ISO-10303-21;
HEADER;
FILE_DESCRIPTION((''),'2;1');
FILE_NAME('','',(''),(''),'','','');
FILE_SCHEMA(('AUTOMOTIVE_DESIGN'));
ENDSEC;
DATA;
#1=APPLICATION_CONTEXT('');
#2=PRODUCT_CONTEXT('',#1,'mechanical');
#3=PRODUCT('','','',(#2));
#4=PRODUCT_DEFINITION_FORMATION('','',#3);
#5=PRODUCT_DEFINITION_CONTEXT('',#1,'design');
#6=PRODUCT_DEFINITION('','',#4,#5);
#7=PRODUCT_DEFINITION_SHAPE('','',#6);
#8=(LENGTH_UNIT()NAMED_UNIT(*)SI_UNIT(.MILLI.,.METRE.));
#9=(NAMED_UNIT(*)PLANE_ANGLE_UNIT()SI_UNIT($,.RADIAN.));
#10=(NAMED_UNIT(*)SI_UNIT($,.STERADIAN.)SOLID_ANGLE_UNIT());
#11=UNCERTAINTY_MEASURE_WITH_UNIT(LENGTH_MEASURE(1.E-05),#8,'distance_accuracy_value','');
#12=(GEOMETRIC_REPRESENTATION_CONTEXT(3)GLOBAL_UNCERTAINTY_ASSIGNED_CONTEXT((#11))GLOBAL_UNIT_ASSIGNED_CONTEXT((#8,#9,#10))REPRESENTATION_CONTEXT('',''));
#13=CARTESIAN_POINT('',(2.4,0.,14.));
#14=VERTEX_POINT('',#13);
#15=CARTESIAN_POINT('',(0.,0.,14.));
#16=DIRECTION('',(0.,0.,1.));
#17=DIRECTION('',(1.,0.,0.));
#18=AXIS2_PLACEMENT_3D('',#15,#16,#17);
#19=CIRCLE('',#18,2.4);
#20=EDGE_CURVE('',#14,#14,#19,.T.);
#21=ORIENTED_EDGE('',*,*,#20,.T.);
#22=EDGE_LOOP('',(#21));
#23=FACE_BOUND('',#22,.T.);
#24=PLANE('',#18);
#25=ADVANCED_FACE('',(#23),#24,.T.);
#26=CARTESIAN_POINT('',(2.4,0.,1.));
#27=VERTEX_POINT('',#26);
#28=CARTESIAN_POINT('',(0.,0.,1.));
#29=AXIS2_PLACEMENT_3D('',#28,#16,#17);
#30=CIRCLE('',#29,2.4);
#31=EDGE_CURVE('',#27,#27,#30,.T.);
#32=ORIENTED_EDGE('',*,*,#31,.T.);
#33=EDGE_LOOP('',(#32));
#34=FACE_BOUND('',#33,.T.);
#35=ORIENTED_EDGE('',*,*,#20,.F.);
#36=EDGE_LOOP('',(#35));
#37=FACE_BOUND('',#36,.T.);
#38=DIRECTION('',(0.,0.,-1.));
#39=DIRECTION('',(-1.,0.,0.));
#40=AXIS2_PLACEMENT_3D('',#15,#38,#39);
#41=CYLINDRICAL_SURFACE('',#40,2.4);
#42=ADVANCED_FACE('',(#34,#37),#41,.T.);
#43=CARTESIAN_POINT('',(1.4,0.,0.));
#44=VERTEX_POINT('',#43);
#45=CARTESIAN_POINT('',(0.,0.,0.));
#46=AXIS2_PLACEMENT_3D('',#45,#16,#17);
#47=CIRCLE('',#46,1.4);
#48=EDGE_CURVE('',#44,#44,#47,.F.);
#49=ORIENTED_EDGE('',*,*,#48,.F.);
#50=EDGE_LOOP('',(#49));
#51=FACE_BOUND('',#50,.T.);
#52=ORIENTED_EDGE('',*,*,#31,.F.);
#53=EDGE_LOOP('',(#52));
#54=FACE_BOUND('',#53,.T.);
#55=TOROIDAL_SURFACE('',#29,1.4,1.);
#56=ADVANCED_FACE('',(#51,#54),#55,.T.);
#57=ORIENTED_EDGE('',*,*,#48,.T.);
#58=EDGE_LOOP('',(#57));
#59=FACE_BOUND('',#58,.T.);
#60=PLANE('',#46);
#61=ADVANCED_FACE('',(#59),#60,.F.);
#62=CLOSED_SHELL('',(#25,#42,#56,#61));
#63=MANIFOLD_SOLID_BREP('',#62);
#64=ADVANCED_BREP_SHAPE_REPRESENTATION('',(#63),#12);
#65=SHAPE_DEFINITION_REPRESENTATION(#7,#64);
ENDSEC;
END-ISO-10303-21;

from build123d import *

# Parameters (mm, degrees)
SKETCH_1_R      = 2.4
EXTRUDE_1_DEPTH = 14
FILLET_1_R      = 1


with BuildPart() as part:
    # 草图1 → 凸台-拉伸1 (new body)
    with BuildSketch(Plane.XY):
        Circle(SKETCH_1_R)
    extrude(amount=EXTRUDE_1_DEPTH)

    # 圆角1
    fillet_1_edges = [part.edges().sort_by_distance(p)[0] for p in [
        (-2.4, 0, 0),
    ]]
    fillet(fillet_1_edges, radius=FILLET_1_R)


solid = part.part
